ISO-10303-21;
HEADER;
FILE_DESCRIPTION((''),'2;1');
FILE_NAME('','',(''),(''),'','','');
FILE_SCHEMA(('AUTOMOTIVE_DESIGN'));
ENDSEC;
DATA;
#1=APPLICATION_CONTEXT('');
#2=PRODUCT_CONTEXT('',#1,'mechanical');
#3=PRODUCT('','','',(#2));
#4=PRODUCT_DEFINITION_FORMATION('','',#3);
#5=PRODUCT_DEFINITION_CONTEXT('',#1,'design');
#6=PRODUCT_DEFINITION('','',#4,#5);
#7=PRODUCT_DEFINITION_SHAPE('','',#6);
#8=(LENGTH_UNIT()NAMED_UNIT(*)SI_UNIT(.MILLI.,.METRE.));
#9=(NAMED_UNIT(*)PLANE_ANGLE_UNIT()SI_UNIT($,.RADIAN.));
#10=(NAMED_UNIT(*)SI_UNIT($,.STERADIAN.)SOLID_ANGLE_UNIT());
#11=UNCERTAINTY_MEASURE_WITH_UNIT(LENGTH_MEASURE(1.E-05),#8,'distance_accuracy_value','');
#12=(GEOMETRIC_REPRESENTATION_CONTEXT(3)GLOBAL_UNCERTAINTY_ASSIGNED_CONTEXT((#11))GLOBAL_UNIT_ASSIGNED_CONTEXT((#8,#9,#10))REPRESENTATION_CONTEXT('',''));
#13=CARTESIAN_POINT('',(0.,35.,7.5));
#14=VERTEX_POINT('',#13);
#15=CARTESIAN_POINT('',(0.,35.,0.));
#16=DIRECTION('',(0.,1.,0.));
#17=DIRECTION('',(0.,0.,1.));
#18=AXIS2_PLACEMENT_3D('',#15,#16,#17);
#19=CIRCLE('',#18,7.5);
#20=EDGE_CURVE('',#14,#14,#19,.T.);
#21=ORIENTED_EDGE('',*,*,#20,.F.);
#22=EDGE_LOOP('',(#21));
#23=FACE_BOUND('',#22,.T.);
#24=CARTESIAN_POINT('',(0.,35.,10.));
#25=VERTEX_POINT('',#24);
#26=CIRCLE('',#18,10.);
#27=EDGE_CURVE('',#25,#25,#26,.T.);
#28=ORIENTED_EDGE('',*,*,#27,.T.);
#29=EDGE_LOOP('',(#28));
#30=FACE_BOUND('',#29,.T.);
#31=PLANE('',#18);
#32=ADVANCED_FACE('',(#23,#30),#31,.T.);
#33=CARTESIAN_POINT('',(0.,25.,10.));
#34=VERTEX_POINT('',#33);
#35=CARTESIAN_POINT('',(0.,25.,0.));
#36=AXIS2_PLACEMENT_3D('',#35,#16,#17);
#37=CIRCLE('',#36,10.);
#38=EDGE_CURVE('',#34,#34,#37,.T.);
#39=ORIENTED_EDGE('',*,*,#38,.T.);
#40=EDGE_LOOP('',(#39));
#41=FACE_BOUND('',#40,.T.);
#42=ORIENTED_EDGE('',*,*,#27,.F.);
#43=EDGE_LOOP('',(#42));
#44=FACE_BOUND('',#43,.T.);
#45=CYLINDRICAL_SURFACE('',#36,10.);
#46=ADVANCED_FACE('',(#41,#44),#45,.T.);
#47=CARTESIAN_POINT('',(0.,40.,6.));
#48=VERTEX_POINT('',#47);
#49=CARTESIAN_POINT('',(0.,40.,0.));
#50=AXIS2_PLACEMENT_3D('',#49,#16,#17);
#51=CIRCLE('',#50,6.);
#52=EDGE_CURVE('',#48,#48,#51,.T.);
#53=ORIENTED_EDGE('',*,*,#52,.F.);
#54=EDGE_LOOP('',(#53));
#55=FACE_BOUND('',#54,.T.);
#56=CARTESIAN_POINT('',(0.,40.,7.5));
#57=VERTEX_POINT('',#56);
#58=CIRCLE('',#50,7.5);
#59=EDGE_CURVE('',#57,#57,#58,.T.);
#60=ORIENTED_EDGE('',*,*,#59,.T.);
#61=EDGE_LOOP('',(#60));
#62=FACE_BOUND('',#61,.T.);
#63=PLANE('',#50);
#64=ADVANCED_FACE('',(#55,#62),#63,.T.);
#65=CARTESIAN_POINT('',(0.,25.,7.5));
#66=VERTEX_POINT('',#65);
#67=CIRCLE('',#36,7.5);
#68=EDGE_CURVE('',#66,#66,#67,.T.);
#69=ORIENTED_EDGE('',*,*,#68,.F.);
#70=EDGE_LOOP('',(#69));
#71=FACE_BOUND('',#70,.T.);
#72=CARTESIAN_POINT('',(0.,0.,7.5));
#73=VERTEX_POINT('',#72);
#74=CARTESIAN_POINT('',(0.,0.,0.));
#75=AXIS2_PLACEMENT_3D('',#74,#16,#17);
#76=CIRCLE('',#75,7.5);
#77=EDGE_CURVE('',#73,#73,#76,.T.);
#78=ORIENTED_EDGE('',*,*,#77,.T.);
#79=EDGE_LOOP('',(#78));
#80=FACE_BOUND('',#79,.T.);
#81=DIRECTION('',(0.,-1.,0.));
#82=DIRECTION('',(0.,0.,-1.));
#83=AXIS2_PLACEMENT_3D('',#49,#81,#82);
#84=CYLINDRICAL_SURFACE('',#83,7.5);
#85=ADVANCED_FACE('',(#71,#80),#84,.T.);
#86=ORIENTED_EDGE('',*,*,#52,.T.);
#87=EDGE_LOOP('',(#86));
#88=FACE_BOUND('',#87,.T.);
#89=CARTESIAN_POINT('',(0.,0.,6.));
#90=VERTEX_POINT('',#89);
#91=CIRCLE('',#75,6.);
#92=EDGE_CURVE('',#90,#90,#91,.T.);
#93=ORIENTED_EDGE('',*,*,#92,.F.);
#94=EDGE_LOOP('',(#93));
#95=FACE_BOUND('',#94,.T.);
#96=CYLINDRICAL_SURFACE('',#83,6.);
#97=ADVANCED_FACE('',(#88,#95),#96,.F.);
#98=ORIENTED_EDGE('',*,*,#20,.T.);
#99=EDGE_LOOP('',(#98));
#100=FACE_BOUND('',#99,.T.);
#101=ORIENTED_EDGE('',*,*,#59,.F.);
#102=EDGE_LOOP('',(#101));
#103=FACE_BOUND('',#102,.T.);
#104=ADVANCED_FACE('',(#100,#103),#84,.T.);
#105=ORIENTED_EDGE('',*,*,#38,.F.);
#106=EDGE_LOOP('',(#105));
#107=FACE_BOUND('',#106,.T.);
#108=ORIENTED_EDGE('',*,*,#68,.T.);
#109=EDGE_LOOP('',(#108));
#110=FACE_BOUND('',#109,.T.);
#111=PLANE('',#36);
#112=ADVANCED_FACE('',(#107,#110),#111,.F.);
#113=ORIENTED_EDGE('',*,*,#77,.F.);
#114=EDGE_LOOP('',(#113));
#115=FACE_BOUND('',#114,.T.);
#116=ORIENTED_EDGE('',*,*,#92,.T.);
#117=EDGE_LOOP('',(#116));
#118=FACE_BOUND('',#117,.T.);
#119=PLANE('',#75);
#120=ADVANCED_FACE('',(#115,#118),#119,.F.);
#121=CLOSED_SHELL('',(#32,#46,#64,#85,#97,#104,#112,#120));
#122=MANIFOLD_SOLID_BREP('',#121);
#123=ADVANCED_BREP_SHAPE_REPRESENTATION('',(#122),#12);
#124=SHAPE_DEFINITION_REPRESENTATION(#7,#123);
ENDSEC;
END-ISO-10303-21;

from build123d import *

# Parameters (mm, degrees)
SKETCH1_R           = 7.5
SKETCH1_R_2         = 6
BOSS_EXTRUDE1_DEPTH = 40
BOSS_EXTRUDE2_START = -15
SKETCH2_R           = 10
SKETCH2_R_2         = 7.5
BOSS_EXTRUDE2_DEPTH = 10


with BuildPart() as part:
    # Sketch1 → Boss-Extrude1 (new body)
    with BuildSketch(Plane(origin=(0, 0, 0), x_dir=(1, 0, 0), z_dir=(0, 1, 0))):
        with Locations(Location((0, 0, 0), (0, 0, 270))):
            Circle(SKETCH1_R)
        with Locations(Location((0, 0, 0), (0, 0, 270))):
            Circle(SKETCH1_R_2, mode=Mode.SUBTRACT)
    extrude(amount=BOSS_EXTRUDE1_DEPTH)

    # Sketch2 → Boss-Extrude2 (add)
    with BuildSketch(Plane(origin=(0, 40, 0), x_dir=(1, 0, 0), z_dir=(0, 1, 0)).offset(BOSS_EXTRUDE2_START)):
        with Locations(Location((0, 0, 0), (0, 0, 270))):
            Circle(SKETCH2_R)
        with Locations(Location((0, 0, 0), (0, 0, 270))):
            Circle(SKETCH2_R_2, mode=Mode.SUBTRACT)
    extrude(amount=BOSS_EXTRUDE2_DEPTH)


solid = part.part
